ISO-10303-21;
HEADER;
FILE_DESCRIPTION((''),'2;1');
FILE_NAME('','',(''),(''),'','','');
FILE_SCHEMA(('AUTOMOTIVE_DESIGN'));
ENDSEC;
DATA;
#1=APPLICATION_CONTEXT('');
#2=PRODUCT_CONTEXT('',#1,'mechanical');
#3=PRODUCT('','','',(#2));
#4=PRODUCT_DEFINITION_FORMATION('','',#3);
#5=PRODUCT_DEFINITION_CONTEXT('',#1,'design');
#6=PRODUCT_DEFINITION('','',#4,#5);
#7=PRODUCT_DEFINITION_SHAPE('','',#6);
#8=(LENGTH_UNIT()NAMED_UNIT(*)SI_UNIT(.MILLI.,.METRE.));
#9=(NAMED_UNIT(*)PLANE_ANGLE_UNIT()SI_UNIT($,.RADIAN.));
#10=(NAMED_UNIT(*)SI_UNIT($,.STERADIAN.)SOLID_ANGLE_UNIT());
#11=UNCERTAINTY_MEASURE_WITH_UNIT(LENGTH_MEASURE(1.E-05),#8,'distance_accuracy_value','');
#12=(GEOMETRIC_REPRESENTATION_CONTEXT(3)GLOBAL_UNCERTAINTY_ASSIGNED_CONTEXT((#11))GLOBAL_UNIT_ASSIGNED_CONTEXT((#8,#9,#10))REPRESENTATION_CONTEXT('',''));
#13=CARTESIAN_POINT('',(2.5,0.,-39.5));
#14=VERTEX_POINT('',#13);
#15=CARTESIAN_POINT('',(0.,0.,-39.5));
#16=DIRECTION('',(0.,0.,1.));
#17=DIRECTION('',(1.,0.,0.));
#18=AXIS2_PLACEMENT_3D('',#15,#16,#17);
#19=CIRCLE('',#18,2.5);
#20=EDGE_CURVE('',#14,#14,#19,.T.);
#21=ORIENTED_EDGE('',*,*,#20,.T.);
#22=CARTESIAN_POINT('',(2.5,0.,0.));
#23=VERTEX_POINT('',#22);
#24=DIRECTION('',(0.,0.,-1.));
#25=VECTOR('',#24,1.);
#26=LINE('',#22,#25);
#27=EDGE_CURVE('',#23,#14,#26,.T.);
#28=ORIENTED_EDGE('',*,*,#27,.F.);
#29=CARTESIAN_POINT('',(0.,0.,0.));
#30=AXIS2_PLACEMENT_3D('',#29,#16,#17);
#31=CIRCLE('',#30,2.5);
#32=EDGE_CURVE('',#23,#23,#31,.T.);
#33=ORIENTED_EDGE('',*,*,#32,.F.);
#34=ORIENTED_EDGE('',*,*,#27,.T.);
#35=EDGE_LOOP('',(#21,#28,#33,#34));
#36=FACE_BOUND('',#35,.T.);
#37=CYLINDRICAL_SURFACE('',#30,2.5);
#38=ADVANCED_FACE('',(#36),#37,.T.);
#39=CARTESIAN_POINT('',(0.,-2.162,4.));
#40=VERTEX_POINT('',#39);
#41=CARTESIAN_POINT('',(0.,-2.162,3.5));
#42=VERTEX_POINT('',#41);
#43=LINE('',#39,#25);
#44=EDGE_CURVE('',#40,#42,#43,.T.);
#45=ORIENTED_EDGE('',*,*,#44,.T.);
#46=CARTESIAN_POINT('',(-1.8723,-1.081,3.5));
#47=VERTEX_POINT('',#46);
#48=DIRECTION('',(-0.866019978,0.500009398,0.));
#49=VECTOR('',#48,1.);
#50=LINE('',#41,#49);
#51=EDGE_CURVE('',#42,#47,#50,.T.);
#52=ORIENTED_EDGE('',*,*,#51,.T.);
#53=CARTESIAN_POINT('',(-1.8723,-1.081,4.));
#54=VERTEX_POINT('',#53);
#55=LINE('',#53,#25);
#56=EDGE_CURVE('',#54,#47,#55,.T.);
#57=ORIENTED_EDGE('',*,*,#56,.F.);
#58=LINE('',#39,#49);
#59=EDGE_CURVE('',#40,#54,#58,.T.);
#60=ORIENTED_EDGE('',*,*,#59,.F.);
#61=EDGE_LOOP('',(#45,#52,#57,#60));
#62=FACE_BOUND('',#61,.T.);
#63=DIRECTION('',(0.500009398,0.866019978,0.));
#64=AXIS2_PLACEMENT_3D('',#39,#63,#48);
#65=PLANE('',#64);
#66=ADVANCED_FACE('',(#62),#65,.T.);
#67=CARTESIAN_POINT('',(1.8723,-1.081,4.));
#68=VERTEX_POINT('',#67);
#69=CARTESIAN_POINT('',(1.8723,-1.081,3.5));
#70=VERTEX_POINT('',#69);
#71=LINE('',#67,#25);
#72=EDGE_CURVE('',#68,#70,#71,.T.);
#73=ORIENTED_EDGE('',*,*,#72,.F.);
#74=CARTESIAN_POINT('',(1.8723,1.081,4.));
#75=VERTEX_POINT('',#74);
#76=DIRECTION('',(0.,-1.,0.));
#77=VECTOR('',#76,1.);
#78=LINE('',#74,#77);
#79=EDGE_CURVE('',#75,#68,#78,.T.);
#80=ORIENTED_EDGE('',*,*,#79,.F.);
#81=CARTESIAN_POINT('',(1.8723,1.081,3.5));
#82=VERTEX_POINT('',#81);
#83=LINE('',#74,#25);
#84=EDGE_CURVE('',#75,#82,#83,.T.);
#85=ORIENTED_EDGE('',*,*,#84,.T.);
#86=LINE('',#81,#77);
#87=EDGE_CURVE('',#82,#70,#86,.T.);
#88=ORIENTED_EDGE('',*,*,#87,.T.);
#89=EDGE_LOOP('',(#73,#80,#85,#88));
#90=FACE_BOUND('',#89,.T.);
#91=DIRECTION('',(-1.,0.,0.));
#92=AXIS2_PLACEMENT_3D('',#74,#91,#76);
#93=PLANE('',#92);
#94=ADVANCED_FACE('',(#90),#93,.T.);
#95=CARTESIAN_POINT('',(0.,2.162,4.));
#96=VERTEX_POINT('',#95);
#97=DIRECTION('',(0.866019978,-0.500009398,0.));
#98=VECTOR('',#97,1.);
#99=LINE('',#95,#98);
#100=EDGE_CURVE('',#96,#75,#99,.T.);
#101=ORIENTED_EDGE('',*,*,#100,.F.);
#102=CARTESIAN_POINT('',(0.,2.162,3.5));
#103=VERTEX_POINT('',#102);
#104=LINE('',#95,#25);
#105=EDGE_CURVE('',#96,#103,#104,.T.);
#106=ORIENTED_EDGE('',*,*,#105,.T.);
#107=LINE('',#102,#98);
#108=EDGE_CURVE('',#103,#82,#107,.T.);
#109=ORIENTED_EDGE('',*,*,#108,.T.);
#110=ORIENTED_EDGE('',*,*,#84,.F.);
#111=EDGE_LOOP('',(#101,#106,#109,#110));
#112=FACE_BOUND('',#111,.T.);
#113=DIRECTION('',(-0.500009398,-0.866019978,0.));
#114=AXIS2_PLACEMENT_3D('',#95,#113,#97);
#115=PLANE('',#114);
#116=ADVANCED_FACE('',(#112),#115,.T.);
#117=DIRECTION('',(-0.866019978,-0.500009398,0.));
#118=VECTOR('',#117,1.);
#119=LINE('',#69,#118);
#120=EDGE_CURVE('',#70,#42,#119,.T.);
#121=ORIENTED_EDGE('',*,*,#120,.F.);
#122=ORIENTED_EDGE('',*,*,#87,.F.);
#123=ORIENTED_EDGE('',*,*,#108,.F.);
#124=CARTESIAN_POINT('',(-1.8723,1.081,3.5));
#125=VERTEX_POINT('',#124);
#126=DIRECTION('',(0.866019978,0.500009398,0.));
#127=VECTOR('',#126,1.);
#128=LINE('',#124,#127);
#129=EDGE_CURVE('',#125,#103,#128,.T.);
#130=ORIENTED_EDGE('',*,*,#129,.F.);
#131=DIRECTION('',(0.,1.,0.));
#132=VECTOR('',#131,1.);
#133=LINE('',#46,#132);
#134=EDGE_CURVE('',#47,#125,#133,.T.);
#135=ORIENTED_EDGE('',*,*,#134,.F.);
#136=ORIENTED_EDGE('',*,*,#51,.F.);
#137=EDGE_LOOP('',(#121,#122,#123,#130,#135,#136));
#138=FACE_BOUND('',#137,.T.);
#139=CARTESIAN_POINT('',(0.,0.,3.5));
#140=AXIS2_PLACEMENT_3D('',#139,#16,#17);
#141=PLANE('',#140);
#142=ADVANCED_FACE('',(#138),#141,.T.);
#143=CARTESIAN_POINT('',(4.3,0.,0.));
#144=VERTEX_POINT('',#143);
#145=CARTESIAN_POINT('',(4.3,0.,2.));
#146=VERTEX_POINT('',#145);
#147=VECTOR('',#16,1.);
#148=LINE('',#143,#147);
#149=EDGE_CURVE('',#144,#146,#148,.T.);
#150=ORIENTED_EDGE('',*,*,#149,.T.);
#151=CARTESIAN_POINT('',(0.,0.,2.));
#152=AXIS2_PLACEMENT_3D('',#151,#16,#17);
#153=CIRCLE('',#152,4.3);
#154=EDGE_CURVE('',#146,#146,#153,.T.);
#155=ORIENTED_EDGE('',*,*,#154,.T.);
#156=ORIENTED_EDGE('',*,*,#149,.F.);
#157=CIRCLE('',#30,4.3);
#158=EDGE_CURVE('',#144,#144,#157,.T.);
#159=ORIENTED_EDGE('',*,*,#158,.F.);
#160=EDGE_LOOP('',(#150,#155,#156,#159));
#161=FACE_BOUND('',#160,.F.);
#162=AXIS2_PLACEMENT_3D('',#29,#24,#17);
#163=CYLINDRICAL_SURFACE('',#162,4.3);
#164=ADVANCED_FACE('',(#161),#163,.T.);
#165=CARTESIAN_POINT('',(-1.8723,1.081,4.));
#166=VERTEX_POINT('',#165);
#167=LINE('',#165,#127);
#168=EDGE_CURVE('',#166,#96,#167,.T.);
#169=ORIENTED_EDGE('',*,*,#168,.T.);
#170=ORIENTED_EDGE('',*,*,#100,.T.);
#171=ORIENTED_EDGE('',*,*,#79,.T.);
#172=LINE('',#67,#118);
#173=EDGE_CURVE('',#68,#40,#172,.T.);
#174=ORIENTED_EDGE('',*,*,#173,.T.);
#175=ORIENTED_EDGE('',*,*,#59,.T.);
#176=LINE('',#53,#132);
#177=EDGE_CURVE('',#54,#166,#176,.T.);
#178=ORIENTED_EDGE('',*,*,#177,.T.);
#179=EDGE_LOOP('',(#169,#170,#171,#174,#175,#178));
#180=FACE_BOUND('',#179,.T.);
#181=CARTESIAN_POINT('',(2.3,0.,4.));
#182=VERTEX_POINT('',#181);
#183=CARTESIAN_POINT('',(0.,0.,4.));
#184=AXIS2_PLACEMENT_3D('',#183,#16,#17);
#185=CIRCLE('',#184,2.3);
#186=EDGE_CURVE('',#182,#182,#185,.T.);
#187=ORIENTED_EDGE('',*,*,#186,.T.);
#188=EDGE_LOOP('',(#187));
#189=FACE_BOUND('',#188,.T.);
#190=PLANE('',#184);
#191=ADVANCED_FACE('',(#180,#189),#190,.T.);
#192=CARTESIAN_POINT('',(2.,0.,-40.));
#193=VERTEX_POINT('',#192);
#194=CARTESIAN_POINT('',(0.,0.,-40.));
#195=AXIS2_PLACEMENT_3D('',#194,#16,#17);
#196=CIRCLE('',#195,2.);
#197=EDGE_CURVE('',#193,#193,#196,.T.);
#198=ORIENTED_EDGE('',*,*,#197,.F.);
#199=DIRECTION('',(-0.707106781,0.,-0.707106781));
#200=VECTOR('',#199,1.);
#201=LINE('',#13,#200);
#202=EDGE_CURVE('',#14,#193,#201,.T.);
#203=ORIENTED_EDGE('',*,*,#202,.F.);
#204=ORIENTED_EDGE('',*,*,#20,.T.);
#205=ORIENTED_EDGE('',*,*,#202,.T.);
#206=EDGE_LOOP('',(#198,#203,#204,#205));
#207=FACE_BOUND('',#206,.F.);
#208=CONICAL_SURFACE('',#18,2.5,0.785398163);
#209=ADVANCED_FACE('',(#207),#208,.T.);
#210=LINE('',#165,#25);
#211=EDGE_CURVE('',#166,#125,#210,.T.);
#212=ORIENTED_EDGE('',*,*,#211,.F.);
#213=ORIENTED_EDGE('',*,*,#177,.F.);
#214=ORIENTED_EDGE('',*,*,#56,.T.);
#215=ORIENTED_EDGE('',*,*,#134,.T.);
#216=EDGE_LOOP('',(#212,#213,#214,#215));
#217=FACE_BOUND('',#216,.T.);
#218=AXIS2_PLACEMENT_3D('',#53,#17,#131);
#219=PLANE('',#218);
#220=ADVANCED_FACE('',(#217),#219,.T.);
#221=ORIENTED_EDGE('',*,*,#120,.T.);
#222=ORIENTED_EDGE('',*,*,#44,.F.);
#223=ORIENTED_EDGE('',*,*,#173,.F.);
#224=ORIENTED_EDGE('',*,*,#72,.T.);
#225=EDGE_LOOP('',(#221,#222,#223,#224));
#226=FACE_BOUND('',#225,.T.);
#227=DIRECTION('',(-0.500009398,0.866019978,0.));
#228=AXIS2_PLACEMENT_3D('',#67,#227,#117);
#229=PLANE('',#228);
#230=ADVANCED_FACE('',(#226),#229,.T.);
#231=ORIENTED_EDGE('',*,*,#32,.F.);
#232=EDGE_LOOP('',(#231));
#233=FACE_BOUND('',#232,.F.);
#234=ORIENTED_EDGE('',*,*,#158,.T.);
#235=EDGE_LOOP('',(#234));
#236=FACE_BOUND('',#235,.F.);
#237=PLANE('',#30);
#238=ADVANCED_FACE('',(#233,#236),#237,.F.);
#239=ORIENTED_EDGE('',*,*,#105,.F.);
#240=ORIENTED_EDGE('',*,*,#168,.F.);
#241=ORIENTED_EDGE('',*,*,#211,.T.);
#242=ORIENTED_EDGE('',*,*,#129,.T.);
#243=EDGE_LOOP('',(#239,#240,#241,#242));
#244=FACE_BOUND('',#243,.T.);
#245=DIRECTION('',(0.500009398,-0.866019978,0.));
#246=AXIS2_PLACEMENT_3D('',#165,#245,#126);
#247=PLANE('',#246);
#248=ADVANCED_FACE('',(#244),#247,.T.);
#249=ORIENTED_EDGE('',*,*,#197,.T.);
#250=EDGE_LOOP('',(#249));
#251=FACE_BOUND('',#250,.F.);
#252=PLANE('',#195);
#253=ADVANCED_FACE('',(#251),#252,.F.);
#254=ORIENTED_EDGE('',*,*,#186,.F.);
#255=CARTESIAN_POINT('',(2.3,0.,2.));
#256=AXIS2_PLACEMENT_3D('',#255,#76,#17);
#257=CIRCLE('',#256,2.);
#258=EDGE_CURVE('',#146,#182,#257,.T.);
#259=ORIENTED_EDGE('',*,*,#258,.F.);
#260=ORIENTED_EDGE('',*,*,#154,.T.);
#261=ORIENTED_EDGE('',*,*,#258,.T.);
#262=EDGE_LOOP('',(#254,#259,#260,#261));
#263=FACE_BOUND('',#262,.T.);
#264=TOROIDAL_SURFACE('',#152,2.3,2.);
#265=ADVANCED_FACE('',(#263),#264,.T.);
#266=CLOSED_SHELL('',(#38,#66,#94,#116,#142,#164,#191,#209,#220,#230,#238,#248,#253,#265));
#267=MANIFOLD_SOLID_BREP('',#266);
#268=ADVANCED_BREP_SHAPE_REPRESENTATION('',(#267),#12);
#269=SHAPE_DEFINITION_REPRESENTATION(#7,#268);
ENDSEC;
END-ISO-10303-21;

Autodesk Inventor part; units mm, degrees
ref_plane "YZ Plane" through (0, 0, 0) normal (1, 0, 0) x (0, 1, 0)
ref_plane "XZ Plane" through (0, 0, 0) normal (0, 1, 0) x (-1, 0, 0)
ref_plane "XY Plane" through (0, 0, 0) normal (0, 0, 1) x (1, 0, 0)
sketch "Sketch1" plane through (0, 0, 0) normal (0, 0, 1) x (1, 0, 0)
  circle A0 centre (0, 0) radius 2.5
  dimension "d0" = 5
extrude "Extrusion1" add sketch "Sketch1" against normal blind 40
sketch "Sketch2" plane through (0, 0, 0) normal (0, 0, 1) x (1, 0, 0)
  circle A0 centre (0, 0) radius 4.3
  dimension "d3" = 8.6
extrude "Extrusion2" add sketch "Sketch2" along normal blind 4
fillet "Fillet1" radius 2 1 edges at (-4.3, 0, 4)
sketch "Sketch3" plane through (0, 0, 4) normal (0, 0, 1) x (1, 0, 0)
  line L0 (0, -2.162) -> (-1.8723, -1.081)
  line L1 (-1.8723, -1.081) -> (-1.8723, 1.081)
  line L2 (-1.8723, 1.081) -> (0, 2.162)
  line L3 (0, 2.162) -> (1.8723, 1.081)
  line L4 (1.8723, 1.081) -> (1.8723, -1.081)
  line L5 (1.8723, -1.081) -> (0, -2.162)
  point P0 (0, 0)
  point P1 (0, 0)
extrude "Extrusion3" cut sketch "Sketch3" against normal blind 0.5
chamfer "Chamfer1" distance 0.5 angle 45 1 edges at (-2.5, 0, -40)
properties part number "bolt m5"
